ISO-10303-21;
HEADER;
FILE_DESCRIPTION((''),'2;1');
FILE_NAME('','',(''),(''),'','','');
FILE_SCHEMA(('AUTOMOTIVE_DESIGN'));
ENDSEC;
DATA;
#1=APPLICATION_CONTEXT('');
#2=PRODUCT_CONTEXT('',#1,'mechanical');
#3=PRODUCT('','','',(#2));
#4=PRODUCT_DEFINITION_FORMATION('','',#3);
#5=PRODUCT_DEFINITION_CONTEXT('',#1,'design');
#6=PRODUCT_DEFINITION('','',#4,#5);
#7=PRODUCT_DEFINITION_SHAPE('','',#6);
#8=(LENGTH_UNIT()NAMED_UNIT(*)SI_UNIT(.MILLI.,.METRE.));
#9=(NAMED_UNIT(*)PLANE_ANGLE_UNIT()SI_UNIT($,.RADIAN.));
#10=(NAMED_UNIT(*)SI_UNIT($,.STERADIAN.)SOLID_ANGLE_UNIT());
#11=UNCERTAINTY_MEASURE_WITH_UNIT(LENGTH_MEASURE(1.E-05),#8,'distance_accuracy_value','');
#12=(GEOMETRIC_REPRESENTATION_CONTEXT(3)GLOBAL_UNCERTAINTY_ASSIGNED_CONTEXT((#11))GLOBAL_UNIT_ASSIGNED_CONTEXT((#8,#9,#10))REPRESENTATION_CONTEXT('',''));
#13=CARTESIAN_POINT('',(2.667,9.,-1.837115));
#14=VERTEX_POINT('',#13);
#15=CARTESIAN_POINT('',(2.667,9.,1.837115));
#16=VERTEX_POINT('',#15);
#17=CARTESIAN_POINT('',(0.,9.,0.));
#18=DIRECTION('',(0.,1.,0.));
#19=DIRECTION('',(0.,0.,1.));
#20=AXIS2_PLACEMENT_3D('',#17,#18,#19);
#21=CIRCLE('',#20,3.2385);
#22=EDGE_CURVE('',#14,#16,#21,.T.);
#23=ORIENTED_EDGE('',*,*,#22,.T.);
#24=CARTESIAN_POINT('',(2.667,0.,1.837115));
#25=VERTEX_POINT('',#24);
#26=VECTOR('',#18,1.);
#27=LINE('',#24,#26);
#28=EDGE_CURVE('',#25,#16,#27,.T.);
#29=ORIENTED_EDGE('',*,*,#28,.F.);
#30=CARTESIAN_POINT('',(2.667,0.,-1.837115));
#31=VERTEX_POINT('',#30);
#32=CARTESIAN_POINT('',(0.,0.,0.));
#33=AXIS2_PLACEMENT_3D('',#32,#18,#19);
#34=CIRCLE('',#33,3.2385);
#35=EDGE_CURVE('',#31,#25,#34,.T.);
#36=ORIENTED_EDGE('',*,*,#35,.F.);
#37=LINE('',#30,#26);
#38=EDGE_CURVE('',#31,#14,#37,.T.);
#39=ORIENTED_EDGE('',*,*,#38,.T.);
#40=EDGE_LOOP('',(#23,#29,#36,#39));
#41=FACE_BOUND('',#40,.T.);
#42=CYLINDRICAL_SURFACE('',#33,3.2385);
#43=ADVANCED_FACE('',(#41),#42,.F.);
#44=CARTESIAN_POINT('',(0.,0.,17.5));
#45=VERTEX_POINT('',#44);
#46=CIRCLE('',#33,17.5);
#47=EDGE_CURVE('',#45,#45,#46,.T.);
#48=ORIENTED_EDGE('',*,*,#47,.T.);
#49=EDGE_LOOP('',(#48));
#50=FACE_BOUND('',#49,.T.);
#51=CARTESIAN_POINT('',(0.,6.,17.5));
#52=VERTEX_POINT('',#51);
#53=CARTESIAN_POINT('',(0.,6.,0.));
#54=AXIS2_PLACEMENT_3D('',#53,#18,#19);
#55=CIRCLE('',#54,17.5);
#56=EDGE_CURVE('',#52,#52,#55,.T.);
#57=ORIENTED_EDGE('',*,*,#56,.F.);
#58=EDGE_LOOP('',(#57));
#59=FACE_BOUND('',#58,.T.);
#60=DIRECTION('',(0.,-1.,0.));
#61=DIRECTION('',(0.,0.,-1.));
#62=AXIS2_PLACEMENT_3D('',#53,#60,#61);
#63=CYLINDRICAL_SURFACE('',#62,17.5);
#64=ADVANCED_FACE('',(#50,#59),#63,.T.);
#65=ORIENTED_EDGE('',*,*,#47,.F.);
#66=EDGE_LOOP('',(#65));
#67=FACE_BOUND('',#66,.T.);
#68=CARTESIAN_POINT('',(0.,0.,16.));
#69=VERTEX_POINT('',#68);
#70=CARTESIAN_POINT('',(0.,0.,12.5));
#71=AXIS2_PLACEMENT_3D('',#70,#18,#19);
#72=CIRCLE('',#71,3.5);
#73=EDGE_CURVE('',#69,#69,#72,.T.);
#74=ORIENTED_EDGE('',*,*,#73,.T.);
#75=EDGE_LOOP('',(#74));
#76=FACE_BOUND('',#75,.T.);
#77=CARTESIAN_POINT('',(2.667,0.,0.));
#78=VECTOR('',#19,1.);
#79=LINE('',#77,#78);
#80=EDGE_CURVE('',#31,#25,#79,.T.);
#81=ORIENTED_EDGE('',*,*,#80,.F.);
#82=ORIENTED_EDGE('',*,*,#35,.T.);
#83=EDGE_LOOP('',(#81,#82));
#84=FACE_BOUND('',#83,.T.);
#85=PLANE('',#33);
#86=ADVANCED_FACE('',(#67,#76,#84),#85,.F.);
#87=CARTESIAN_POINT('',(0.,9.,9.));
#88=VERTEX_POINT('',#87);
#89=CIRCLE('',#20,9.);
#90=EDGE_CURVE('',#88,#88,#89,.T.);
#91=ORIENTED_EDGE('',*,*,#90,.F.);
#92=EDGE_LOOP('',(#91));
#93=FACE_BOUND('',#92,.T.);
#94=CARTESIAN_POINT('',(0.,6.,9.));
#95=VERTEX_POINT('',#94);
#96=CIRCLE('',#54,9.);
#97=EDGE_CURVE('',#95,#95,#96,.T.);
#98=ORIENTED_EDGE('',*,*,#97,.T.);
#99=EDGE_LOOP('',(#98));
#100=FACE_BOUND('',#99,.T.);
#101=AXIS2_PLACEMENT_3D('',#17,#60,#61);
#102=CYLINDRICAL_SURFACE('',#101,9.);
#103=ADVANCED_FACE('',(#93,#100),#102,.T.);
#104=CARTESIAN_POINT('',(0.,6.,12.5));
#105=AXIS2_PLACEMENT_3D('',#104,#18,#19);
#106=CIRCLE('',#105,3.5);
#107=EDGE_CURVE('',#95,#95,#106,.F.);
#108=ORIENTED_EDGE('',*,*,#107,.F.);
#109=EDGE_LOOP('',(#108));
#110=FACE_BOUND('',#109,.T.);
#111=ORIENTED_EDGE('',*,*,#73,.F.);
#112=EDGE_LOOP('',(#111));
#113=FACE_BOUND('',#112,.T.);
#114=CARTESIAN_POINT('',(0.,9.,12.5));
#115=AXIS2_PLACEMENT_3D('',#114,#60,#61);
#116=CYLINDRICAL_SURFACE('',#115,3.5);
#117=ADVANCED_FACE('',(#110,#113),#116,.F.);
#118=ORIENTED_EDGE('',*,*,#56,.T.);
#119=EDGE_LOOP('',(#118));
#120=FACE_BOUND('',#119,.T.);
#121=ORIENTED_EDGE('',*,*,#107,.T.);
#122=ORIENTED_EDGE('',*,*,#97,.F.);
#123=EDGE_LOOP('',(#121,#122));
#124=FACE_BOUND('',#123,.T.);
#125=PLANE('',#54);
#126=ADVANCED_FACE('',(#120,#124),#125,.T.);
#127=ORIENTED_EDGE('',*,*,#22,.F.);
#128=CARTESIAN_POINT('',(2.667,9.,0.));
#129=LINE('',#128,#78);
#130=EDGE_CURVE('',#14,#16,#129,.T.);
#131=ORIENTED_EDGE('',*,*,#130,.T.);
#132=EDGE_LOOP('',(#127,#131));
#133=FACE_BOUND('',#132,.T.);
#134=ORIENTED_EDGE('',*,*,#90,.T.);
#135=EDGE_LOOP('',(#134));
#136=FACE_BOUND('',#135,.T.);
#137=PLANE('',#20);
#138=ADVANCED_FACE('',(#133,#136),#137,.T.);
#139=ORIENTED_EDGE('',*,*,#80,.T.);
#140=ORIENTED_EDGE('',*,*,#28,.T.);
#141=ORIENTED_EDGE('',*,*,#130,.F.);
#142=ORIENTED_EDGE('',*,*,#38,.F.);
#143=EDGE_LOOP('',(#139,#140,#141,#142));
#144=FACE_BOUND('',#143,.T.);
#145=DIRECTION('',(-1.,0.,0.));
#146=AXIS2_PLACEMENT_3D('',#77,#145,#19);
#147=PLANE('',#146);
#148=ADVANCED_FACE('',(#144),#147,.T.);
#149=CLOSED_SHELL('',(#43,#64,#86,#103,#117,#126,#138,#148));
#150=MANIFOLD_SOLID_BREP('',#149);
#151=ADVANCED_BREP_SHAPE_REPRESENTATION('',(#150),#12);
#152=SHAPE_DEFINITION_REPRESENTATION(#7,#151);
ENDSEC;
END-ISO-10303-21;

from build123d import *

# Parameters (mm, degrees)
SKETCH1_R           = 17.5
BOSS_EXTRUDE1_DEPTH = 6
SKETCH3_R           = 9
BOSS_EXTRUDE2_DEPTH = 3
CUT_EXTRUDE1_DEPTH  = 10
SKETCH5_R           = 3.5
CUT_EXTRUDE2_DEPTH  = 10


with BuildPart() as part:
    # Sketch1 → Boss-Extrude1 (new body)
    with BuildSketch(Plane(origin=(0, 0, 0), x_dir=(1, 0, 0), z_dir=(0, 1, 0))):
        Circle(SKETCH1_R)
    extrude(amount=BOSS_EXTRUDE1_DEPTH)

    # Sketch3 → Boss-Extrude2 (add)
    with BuildSketch(Plane(origin=(0, 6, 0), x_dir=(1, 0, 0), z_dir=(0, 1, 0))):
        Circle(SKETCH3_R)
    extrude(amount=BOSS_EXTRUDE2_DEPTH)

    # Sketch4 → Cut-Extrude1 (cut, through all)
    with BuildSketch(Plane(origin=(0, 9, 0), x_dir=(1, 0, 0), z_dir=(0, 1, 0))):
        with BuildLine():
            Line((2.667, -1.83711547), (2.667, 1.83711547))
            ThreePointArc((2.667, 1.83711547), (-3.2385, 0), (2.667, -1.83711547))
        make_face()
    extrude(amount=-CUT_EXTRUDE1_DEPTH, mode=Mode.SUBTRACT)

    # Sketch5 → Cut-Extrude2 (cut, through all)
    with BuildSketch(Plane(origin=(0, 0, 0), x_dir=(1, 0, 0), z_dir=(0, 1, 0))):
        with Locations((0, -12.5)):
            Circle(SKETCH5_R)
    extrude(amount=CUT_EXTRUDE2_DEPTH, mode=Mode.SUBTRACT)


solid = part.part
